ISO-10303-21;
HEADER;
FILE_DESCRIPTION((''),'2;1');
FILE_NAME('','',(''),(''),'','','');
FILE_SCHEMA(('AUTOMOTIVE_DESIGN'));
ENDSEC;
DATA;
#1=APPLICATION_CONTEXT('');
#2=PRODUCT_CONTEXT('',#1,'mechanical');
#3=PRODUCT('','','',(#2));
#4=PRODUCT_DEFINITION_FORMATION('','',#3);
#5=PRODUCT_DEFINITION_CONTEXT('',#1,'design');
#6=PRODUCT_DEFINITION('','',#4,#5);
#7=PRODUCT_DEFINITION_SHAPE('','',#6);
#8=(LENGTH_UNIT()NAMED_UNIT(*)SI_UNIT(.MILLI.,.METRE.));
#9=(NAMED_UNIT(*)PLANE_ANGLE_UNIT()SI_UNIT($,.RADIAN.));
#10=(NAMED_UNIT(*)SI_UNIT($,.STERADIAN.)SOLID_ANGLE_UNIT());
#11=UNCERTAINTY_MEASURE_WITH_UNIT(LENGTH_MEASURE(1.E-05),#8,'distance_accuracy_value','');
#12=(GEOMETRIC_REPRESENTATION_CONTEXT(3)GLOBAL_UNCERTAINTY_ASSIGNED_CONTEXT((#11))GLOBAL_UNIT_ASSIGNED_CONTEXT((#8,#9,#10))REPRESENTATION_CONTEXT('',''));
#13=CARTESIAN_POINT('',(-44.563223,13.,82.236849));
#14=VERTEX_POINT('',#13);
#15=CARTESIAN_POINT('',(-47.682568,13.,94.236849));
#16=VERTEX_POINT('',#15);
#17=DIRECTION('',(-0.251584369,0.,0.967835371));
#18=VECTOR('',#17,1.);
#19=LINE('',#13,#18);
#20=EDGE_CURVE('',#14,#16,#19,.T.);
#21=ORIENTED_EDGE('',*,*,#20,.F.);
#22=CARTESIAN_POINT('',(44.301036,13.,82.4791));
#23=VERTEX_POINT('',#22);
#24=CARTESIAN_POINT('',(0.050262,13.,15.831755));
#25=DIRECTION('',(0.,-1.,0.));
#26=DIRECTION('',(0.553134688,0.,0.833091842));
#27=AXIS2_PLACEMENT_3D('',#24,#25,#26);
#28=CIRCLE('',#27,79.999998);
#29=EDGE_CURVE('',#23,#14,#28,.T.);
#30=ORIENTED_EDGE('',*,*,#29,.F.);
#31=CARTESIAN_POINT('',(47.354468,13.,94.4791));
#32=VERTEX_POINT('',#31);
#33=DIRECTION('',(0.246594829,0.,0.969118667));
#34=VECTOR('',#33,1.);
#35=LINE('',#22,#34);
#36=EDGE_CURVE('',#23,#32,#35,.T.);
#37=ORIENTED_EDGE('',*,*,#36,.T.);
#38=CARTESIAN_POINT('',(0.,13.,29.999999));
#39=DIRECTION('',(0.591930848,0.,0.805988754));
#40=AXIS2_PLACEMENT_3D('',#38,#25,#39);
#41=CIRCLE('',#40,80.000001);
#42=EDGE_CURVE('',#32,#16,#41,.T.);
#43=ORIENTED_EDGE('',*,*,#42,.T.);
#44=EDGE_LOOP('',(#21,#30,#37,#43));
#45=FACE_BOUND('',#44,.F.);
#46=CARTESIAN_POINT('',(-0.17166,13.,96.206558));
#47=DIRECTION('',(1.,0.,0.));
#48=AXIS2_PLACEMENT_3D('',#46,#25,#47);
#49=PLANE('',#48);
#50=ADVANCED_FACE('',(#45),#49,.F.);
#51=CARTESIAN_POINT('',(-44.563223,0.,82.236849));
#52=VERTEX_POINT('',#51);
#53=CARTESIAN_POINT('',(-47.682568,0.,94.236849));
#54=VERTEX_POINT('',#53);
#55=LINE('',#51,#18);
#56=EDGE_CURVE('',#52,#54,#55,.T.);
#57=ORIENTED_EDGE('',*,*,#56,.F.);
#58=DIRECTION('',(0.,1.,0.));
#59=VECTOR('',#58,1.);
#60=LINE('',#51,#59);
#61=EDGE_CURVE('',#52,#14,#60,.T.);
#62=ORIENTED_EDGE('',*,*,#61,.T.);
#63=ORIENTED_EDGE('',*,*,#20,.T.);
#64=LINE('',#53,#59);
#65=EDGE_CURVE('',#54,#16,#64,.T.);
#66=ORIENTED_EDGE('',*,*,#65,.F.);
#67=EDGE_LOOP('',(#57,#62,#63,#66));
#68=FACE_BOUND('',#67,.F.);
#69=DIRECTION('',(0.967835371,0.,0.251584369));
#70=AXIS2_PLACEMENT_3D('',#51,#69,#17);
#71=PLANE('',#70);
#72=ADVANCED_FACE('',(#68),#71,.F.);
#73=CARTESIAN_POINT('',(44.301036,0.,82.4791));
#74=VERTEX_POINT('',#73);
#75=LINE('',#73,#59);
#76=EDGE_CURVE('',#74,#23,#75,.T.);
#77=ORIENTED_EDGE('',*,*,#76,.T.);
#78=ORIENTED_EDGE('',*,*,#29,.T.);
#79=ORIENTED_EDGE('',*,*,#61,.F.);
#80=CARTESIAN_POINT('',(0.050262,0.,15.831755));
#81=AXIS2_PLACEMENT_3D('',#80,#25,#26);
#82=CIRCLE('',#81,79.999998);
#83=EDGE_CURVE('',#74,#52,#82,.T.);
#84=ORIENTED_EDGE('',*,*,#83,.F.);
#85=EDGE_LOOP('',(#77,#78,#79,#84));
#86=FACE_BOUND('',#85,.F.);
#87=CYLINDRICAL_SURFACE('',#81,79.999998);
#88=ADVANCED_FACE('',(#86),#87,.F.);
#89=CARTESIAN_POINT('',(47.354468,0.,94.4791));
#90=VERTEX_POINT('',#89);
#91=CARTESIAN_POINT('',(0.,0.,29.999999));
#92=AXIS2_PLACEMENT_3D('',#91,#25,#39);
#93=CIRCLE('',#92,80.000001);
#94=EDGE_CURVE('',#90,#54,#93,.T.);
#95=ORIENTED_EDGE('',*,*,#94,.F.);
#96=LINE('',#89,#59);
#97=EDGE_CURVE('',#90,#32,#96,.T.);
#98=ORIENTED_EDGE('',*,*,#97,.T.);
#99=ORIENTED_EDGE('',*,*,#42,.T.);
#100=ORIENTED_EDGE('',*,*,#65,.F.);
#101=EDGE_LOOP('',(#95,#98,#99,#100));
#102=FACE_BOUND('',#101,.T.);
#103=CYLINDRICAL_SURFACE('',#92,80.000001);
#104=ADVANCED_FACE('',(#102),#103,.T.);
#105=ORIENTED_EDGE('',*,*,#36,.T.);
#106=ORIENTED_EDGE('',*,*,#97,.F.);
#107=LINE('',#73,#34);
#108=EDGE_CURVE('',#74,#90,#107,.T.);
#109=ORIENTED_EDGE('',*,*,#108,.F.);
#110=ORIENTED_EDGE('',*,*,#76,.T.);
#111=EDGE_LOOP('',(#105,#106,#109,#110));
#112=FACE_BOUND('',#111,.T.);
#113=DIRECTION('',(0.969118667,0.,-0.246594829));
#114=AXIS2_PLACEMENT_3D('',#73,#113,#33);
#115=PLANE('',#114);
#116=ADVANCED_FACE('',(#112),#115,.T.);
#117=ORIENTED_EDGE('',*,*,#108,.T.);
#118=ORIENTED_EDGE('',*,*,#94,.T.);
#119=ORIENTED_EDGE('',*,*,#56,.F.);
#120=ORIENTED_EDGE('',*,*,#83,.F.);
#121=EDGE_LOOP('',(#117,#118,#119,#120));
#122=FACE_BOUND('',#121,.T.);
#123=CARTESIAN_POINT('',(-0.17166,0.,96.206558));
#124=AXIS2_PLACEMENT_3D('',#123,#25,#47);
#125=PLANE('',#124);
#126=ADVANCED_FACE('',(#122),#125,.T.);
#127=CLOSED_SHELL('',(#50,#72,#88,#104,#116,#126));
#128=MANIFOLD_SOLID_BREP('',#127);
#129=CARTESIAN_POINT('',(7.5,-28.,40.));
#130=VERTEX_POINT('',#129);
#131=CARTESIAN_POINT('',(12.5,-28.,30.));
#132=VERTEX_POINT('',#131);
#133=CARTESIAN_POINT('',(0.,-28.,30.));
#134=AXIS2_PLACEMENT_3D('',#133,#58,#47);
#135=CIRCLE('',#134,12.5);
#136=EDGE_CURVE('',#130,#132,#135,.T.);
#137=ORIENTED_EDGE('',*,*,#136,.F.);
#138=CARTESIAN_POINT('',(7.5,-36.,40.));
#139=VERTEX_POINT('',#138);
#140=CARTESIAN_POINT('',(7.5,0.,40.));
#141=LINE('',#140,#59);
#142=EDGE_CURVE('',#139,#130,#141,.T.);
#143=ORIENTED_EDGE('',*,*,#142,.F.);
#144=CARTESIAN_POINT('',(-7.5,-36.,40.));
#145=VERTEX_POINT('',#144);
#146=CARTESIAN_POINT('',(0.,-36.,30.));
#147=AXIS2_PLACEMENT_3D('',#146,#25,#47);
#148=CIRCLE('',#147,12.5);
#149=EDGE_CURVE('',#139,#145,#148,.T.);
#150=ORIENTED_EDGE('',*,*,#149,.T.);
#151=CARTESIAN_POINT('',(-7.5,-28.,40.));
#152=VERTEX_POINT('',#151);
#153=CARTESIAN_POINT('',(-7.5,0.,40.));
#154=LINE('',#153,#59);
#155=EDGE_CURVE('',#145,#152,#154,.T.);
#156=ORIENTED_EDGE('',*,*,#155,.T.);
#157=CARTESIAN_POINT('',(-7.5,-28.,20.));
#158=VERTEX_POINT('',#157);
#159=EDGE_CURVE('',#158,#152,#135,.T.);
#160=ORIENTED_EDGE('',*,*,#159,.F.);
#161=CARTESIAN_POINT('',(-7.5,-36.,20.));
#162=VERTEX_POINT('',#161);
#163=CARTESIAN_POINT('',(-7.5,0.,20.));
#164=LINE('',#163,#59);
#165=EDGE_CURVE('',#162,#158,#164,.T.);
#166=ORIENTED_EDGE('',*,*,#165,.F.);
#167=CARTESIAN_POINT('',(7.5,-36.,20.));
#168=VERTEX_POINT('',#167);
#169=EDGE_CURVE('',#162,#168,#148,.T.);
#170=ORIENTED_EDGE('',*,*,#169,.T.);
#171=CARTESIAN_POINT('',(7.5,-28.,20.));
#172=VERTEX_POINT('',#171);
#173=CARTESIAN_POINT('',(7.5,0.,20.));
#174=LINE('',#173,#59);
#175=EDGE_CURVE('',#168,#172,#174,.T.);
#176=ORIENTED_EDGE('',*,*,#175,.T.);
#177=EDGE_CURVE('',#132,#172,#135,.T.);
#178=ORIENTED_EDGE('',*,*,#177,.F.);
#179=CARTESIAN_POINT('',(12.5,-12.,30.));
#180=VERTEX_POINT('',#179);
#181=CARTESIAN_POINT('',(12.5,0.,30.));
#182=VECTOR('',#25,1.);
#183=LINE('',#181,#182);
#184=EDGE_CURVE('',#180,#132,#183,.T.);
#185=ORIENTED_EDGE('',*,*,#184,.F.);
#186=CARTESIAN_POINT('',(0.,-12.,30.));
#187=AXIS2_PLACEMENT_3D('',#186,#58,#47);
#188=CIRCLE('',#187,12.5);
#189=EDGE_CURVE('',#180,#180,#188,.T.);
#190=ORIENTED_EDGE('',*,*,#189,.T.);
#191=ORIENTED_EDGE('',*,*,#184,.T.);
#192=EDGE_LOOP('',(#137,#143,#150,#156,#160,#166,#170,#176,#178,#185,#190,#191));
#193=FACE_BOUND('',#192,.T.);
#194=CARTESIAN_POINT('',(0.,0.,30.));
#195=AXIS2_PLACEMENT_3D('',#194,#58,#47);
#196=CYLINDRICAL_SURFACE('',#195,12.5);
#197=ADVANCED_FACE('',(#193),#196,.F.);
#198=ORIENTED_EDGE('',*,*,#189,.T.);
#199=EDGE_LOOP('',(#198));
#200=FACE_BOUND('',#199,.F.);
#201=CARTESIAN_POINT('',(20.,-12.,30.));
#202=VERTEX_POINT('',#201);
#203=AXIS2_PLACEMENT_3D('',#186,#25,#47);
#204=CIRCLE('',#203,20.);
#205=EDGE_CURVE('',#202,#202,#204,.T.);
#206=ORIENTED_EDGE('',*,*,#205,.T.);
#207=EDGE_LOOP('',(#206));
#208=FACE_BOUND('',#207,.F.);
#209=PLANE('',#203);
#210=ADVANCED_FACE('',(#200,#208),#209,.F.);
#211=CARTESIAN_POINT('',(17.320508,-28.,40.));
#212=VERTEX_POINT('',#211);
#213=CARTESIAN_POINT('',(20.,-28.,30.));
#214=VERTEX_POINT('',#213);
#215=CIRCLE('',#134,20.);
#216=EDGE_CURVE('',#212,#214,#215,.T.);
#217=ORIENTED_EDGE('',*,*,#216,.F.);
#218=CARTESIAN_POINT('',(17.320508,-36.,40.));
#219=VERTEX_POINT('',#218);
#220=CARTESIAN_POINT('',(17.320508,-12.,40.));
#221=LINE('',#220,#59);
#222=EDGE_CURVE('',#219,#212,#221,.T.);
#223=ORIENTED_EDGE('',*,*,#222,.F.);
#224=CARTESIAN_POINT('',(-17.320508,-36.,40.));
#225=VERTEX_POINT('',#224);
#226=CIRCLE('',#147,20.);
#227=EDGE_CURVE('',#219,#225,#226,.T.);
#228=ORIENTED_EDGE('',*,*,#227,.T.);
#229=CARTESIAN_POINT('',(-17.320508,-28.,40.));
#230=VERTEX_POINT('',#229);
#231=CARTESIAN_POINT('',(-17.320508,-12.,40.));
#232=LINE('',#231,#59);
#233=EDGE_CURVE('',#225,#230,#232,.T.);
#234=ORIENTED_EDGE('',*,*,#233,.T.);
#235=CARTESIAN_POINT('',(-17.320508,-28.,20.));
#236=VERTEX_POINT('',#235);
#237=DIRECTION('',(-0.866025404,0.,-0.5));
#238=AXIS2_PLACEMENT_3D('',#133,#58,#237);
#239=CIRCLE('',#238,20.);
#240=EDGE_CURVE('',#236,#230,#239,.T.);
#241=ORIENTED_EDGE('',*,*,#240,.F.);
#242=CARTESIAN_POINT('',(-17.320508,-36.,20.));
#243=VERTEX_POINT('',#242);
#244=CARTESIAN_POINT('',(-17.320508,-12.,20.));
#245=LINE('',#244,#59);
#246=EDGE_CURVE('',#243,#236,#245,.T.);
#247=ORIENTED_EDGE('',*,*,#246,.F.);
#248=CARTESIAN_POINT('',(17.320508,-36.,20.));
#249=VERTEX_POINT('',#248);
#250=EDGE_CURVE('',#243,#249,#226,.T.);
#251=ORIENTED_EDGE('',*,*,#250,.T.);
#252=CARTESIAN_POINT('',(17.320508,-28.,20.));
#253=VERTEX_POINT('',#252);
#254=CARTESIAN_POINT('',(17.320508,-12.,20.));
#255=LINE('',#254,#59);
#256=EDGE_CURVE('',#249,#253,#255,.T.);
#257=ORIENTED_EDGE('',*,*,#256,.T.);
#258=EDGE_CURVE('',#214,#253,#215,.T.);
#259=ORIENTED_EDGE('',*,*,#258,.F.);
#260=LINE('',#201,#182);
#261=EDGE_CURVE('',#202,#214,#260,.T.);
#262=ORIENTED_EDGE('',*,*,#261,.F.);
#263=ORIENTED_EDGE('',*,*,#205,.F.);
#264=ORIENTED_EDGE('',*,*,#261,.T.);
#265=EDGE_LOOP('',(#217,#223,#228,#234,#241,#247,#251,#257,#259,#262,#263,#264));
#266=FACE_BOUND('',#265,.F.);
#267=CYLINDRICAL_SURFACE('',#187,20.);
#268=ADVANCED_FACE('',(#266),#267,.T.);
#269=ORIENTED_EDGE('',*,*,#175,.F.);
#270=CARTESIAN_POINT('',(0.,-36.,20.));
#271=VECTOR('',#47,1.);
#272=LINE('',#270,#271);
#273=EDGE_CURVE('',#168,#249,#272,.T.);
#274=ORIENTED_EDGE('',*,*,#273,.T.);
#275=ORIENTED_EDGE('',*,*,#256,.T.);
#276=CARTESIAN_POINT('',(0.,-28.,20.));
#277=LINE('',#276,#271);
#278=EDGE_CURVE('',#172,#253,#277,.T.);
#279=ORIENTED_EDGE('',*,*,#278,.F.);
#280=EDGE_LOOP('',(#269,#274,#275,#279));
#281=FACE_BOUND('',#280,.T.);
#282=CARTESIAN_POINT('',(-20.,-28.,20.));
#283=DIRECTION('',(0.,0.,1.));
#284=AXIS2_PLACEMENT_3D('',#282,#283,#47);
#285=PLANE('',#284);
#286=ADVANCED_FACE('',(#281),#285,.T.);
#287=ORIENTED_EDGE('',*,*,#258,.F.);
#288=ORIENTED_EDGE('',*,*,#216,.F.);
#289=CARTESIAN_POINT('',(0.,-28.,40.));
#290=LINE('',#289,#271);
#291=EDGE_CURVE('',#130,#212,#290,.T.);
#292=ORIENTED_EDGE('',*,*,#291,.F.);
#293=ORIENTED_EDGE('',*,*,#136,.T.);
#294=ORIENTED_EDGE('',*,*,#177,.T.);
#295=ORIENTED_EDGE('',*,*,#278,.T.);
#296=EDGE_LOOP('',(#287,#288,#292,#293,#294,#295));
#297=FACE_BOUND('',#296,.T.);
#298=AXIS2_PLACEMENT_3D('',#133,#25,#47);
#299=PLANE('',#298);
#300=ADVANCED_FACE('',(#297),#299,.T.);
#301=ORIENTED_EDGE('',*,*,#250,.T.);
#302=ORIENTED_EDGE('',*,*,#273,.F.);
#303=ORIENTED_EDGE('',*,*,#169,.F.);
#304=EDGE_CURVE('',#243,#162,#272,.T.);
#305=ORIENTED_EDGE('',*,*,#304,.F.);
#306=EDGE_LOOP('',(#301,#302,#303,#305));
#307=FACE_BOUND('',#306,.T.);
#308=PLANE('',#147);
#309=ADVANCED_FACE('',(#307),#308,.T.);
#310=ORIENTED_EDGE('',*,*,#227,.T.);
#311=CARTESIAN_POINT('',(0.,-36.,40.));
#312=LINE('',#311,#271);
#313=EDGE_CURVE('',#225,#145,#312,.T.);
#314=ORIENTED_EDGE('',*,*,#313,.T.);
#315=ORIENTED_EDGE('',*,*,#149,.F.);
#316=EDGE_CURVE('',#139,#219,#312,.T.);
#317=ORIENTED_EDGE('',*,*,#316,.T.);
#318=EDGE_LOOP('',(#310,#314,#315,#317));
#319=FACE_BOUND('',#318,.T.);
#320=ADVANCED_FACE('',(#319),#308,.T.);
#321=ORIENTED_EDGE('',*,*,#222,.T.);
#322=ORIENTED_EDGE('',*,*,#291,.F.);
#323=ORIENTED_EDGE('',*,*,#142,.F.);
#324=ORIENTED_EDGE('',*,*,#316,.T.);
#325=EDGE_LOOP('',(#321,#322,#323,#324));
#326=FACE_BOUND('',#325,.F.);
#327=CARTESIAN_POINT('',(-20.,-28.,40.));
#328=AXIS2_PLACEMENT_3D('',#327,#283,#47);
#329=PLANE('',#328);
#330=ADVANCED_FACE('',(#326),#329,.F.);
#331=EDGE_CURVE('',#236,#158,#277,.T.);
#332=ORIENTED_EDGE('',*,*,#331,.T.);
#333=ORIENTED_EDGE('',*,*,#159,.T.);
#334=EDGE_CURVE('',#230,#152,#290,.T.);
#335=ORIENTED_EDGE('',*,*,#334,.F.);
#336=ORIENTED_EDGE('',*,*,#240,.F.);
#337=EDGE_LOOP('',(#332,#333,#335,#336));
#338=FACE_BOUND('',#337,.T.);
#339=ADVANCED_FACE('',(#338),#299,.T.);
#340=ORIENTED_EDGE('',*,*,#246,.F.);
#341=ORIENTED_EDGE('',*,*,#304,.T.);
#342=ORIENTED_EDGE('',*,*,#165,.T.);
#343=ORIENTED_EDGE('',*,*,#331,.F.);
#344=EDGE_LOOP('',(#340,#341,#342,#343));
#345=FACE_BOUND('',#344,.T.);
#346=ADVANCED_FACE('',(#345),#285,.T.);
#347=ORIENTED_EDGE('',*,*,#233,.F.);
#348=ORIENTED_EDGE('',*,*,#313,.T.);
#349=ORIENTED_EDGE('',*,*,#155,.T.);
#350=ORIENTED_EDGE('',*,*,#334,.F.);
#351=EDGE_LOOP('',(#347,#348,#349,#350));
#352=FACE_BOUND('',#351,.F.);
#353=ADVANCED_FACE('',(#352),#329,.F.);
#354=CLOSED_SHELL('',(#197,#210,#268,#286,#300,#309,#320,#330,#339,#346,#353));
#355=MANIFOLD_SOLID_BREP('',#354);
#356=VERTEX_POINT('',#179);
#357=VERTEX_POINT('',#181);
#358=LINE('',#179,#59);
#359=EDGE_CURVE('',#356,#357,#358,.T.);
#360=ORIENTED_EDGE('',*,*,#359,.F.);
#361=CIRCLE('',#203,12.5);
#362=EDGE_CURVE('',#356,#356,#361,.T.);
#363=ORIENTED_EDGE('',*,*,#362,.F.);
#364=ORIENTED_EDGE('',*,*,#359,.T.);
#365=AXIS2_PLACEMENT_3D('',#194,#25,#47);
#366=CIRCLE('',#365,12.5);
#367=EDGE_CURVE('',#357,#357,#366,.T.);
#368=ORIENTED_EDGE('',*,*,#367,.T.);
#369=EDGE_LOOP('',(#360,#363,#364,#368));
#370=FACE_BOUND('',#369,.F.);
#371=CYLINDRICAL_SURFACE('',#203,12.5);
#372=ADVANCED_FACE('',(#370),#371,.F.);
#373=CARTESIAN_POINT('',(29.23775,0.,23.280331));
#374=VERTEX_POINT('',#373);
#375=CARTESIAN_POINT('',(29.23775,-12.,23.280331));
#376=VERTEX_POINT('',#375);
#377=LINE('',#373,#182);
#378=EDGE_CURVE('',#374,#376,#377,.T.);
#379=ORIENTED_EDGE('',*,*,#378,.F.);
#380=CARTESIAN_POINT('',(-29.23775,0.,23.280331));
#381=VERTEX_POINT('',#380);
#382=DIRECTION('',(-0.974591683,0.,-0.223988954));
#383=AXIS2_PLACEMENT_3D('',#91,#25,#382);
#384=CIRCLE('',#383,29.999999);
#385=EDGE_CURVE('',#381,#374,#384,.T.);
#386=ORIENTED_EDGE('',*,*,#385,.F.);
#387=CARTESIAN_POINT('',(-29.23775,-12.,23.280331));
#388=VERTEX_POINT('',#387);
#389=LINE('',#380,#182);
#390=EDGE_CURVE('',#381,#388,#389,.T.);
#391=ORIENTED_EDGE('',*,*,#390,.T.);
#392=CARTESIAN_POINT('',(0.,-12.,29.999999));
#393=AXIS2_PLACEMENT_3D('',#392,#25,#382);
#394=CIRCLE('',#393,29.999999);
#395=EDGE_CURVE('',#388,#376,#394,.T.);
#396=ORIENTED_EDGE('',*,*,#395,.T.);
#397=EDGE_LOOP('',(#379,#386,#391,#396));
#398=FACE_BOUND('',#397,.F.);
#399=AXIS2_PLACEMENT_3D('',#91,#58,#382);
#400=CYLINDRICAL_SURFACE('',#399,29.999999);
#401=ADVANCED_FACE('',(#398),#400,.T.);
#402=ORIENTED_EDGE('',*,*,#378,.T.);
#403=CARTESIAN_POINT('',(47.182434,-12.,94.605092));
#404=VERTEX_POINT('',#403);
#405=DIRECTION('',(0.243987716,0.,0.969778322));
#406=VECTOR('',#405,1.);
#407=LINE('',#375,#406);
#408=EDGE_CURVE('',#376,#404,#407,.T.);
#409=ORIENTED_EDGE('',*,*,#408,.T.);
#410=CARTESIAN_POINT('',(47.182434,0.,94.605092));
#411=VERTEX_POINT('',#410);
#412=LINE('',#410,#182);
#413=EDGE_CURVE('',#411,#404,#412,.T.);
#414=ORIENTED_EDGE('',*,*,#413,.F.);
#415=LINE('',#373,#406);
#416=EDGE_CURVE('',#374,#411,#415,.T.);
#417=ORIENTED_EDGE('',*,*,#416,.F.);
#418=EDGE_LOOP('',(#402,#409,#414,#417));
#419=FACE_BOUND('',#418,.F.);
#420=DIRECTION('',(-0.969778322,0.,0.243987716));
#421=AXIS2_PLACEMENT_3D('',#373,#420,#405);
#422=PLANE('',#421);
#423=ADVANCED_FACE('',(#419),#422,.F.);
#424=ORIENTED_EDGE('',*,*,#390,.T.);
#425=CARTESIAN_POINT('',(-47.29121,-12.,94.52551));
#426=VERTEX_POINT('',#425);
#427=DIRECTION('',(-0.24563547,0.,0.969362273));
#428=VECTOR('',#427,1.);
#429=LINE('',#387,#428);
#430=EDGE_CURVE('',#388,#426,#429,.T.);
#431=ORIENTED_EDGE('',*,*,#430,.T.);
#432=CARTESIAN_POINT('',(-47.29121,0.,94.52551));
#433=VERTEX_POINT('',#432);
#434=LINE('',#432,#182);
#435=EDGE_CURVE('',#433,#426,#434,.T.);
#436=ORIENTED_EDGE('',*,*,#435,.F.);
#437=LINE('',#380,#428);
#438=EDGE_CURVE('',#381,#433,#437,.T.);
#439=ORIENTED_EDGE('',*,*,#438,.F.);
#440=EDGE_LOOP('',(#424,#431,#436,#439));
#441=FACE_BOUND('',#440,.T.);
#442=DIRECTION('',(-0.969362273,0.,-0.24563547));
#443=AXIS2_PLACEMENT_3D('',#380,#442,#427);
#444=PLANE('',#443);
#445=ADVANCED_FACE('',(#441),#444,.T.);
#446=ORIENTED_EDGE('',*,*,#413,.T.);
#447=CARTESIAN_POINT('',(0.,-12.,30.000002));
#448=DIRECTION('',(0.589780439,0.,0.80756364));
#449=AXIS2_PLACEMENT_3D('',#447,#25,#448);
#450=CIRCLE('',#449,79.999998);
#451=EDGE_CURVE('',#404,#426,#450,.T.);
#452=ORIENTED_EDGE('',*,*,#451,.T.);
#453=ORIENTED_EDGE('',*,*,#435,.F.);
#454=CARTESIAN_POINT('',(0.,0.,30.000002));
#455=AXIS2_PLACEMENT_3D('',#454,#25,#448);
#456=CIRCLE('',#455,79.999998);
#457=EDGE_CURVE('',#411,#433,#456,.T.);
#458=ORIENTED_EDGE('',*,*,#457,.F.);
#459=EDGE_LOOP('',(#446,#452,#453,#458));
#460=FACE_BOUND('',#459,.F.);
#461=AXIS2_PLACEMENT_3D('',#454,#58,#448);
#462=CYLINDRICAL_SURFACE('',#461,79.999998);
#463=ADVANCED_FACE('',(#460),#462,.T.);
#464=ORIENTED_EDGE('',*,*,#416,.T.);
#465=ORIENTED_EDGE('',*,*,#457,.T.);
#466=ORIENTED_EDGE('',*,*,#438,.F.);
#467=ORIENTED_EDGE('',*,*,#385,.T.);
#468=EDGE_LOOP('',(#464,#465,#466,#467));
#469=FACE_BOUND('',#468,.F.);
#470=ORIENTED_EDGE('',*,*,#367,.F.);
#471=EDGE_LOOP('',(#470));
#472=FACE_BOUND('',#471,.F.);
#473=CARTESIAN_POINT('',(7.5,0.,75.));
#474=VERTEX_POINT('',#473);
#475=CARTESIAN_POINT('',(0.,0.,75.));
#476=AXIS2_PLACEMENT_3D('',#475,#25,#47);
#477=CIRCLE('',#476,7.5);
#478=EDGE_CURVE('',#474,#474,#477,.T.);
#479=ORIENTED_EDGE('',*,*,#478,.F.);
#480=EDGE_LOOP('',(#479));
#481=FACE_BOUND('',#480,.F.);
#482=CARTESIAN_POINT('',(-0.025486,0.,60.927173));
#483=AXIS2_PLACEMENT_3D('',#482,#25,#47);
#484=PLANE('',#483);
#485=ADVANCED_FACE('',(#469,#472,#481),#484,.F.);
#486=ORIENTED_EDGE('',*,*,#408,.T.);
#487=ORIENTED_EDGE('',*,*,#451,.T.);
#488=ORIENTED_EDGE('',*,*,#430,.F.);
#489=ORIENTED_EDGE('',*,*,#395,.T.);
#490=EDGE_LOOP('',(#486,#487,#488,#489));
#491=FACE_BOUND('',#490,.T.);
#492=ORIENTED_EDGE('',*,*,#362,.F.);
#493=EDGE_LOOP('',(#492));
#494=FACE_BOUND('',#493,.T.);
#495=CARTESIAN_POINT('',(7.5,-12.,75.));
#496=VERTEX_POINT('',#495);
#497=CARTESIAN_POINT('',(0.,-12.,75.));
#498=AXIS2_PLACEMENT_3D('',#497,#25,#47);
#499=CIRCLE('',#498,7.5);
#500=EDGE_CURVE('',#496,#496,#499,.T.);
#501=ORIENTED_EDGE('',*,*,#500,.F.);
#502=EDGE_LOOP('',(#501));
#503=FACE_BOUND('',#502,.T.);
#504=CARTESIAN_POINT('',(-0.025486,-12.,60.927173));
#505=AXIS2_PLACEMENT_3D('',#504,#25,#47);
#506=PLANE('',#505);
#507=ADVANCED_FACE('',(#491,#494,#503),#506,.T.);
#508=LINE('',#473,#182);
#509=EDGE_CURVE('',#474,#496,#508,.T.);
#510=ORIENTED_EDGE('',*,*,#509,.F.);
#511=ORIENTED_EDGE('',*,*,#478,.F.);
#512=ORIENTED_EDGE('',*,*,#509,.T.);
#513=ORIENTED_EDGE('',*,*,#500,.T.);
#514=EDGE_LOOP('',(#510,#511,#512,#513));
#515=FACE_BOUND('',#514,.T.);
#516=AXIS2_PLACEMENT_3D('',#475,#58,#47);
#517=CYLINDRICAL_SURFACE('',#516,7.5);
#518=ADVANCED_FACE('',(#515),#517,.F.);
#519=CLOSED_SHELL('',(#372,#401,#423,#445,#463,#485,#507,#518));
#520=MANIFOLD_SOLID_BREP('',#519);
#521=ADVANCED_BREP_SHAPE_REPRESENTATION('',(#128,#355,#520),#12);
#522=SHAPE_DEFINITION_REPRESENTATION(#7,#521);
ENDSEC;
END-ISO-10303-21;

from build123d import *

# Parameters (mm, degrees)
SKETCH_R     = 7.5
PAD_DEPTH    = 12
SKETCH005_R  = 12.5
POCKET_DEPTH = 12.001
PAD001_DEPTH = 13
SKETCH004_W  = 40
SKETCH004_H  = 20
PAD004_DEPTH = 8
SKETCH003_R  = 12.5
PAD003_DEPTH = 36
SKETCH002_R  = 20
PAD002_DEPTH = 24


with BuildPart() as body:
    # Sketch → Pad (new body)
    with BuildSketch(Plane.XZ):
        with BuildLine():
            ThreePointArc((-29.23775, 23.280331), (0, 0), (29.23775, 23.280331))
            Line((29.23775, 23.280331), (47.182434, 94.605092))
            ThreePointArc((47.182434, 94.605092), (-0.06739, 109.999972), (-47.29121, 94.52551))
            Line((-29.23775, 23.280331), (-47.29121, 94.52551))
        make_face()
        with Locations((0, 75)):
            Circle(SKETCH_R, mode=Mode.SUBTRACT)
    extrude(amount=PAD_DEPTH)

    # Sketch005 (on Face7 of Pad) → Pocket (cut, through all)
    with BuildSketch(Plane.XZ.offset(12)):
        with Locations((0, 30)):
            Circle(SKETCH005_R)
    extrude(amount=-POCKET_DEPTH, mode=Mode.SUBTRACT)


with BuildPart() as body001:
    # Sketch001 → Pad001 (new body)
    with BuildSketch(Plane.XZ):
        with BuildLine():
            ThreePointArc((47.354468, 94.4791), (-0.203921, 109.99974), (-47.682568, 94.236849))
            Line((-44.563223, 82.236849), (-47.682568, 94.236849))
            ThreePointArc((44.301036, 82.4791), (-0.167824, 95.831455), (-44.563223, 82.236849))
            Line((44.301036, 82.4791), (47.354468, 94.4791))
        make_face()
    extrude(amount=-PAD001_DEPTH)


with BuildPart() as rectangulo:
    # Sketch004 → Pad004 (new body)
    with BuildSketch(Plane.XZ):
        with Locations((0, 30)):
            Rectangle(SKETCH004_W, SKETCH004_H)
    extrude(amount=PAD004_DEPTH)


with BuildPart() as rectangulo_1:
    # Body004 placement: moved
    add(rectangulo.part.moved(Location((0, -28, 0))))


with BuildPart() as body003:
    # Sketch003 → Pad003 (new body)
    with BuildSketch(Plane.XZ):
        with Locations((0, 30)):
            Circle(SKETCH003_R)
    extrude(amount=PAD003_DEPTH)


with BuildPart() as cut001:
    # Sketch002 → Pad002 (new body)
    with BuildSketch(Plane.XZ):
        with Locations((0, 30)):
            Circle(SKETCH002_R)
    extrude(amount=PAD002_DEPTH)


with BuildPart() as cut001_1:
    # Body002 placement: moved
    add(cut001.part.moved(Location((0, -12, 0))))

    # Cut: cut Body003
    add(body003.part, mode=Mode.SUBTRACT)

    # Cut001: cut Rectangulo
    add(rectangulo_1.part, mode=Mode.SUBTRACT)


solid = Compound([body.part, body001.part, cut001_1.part])
